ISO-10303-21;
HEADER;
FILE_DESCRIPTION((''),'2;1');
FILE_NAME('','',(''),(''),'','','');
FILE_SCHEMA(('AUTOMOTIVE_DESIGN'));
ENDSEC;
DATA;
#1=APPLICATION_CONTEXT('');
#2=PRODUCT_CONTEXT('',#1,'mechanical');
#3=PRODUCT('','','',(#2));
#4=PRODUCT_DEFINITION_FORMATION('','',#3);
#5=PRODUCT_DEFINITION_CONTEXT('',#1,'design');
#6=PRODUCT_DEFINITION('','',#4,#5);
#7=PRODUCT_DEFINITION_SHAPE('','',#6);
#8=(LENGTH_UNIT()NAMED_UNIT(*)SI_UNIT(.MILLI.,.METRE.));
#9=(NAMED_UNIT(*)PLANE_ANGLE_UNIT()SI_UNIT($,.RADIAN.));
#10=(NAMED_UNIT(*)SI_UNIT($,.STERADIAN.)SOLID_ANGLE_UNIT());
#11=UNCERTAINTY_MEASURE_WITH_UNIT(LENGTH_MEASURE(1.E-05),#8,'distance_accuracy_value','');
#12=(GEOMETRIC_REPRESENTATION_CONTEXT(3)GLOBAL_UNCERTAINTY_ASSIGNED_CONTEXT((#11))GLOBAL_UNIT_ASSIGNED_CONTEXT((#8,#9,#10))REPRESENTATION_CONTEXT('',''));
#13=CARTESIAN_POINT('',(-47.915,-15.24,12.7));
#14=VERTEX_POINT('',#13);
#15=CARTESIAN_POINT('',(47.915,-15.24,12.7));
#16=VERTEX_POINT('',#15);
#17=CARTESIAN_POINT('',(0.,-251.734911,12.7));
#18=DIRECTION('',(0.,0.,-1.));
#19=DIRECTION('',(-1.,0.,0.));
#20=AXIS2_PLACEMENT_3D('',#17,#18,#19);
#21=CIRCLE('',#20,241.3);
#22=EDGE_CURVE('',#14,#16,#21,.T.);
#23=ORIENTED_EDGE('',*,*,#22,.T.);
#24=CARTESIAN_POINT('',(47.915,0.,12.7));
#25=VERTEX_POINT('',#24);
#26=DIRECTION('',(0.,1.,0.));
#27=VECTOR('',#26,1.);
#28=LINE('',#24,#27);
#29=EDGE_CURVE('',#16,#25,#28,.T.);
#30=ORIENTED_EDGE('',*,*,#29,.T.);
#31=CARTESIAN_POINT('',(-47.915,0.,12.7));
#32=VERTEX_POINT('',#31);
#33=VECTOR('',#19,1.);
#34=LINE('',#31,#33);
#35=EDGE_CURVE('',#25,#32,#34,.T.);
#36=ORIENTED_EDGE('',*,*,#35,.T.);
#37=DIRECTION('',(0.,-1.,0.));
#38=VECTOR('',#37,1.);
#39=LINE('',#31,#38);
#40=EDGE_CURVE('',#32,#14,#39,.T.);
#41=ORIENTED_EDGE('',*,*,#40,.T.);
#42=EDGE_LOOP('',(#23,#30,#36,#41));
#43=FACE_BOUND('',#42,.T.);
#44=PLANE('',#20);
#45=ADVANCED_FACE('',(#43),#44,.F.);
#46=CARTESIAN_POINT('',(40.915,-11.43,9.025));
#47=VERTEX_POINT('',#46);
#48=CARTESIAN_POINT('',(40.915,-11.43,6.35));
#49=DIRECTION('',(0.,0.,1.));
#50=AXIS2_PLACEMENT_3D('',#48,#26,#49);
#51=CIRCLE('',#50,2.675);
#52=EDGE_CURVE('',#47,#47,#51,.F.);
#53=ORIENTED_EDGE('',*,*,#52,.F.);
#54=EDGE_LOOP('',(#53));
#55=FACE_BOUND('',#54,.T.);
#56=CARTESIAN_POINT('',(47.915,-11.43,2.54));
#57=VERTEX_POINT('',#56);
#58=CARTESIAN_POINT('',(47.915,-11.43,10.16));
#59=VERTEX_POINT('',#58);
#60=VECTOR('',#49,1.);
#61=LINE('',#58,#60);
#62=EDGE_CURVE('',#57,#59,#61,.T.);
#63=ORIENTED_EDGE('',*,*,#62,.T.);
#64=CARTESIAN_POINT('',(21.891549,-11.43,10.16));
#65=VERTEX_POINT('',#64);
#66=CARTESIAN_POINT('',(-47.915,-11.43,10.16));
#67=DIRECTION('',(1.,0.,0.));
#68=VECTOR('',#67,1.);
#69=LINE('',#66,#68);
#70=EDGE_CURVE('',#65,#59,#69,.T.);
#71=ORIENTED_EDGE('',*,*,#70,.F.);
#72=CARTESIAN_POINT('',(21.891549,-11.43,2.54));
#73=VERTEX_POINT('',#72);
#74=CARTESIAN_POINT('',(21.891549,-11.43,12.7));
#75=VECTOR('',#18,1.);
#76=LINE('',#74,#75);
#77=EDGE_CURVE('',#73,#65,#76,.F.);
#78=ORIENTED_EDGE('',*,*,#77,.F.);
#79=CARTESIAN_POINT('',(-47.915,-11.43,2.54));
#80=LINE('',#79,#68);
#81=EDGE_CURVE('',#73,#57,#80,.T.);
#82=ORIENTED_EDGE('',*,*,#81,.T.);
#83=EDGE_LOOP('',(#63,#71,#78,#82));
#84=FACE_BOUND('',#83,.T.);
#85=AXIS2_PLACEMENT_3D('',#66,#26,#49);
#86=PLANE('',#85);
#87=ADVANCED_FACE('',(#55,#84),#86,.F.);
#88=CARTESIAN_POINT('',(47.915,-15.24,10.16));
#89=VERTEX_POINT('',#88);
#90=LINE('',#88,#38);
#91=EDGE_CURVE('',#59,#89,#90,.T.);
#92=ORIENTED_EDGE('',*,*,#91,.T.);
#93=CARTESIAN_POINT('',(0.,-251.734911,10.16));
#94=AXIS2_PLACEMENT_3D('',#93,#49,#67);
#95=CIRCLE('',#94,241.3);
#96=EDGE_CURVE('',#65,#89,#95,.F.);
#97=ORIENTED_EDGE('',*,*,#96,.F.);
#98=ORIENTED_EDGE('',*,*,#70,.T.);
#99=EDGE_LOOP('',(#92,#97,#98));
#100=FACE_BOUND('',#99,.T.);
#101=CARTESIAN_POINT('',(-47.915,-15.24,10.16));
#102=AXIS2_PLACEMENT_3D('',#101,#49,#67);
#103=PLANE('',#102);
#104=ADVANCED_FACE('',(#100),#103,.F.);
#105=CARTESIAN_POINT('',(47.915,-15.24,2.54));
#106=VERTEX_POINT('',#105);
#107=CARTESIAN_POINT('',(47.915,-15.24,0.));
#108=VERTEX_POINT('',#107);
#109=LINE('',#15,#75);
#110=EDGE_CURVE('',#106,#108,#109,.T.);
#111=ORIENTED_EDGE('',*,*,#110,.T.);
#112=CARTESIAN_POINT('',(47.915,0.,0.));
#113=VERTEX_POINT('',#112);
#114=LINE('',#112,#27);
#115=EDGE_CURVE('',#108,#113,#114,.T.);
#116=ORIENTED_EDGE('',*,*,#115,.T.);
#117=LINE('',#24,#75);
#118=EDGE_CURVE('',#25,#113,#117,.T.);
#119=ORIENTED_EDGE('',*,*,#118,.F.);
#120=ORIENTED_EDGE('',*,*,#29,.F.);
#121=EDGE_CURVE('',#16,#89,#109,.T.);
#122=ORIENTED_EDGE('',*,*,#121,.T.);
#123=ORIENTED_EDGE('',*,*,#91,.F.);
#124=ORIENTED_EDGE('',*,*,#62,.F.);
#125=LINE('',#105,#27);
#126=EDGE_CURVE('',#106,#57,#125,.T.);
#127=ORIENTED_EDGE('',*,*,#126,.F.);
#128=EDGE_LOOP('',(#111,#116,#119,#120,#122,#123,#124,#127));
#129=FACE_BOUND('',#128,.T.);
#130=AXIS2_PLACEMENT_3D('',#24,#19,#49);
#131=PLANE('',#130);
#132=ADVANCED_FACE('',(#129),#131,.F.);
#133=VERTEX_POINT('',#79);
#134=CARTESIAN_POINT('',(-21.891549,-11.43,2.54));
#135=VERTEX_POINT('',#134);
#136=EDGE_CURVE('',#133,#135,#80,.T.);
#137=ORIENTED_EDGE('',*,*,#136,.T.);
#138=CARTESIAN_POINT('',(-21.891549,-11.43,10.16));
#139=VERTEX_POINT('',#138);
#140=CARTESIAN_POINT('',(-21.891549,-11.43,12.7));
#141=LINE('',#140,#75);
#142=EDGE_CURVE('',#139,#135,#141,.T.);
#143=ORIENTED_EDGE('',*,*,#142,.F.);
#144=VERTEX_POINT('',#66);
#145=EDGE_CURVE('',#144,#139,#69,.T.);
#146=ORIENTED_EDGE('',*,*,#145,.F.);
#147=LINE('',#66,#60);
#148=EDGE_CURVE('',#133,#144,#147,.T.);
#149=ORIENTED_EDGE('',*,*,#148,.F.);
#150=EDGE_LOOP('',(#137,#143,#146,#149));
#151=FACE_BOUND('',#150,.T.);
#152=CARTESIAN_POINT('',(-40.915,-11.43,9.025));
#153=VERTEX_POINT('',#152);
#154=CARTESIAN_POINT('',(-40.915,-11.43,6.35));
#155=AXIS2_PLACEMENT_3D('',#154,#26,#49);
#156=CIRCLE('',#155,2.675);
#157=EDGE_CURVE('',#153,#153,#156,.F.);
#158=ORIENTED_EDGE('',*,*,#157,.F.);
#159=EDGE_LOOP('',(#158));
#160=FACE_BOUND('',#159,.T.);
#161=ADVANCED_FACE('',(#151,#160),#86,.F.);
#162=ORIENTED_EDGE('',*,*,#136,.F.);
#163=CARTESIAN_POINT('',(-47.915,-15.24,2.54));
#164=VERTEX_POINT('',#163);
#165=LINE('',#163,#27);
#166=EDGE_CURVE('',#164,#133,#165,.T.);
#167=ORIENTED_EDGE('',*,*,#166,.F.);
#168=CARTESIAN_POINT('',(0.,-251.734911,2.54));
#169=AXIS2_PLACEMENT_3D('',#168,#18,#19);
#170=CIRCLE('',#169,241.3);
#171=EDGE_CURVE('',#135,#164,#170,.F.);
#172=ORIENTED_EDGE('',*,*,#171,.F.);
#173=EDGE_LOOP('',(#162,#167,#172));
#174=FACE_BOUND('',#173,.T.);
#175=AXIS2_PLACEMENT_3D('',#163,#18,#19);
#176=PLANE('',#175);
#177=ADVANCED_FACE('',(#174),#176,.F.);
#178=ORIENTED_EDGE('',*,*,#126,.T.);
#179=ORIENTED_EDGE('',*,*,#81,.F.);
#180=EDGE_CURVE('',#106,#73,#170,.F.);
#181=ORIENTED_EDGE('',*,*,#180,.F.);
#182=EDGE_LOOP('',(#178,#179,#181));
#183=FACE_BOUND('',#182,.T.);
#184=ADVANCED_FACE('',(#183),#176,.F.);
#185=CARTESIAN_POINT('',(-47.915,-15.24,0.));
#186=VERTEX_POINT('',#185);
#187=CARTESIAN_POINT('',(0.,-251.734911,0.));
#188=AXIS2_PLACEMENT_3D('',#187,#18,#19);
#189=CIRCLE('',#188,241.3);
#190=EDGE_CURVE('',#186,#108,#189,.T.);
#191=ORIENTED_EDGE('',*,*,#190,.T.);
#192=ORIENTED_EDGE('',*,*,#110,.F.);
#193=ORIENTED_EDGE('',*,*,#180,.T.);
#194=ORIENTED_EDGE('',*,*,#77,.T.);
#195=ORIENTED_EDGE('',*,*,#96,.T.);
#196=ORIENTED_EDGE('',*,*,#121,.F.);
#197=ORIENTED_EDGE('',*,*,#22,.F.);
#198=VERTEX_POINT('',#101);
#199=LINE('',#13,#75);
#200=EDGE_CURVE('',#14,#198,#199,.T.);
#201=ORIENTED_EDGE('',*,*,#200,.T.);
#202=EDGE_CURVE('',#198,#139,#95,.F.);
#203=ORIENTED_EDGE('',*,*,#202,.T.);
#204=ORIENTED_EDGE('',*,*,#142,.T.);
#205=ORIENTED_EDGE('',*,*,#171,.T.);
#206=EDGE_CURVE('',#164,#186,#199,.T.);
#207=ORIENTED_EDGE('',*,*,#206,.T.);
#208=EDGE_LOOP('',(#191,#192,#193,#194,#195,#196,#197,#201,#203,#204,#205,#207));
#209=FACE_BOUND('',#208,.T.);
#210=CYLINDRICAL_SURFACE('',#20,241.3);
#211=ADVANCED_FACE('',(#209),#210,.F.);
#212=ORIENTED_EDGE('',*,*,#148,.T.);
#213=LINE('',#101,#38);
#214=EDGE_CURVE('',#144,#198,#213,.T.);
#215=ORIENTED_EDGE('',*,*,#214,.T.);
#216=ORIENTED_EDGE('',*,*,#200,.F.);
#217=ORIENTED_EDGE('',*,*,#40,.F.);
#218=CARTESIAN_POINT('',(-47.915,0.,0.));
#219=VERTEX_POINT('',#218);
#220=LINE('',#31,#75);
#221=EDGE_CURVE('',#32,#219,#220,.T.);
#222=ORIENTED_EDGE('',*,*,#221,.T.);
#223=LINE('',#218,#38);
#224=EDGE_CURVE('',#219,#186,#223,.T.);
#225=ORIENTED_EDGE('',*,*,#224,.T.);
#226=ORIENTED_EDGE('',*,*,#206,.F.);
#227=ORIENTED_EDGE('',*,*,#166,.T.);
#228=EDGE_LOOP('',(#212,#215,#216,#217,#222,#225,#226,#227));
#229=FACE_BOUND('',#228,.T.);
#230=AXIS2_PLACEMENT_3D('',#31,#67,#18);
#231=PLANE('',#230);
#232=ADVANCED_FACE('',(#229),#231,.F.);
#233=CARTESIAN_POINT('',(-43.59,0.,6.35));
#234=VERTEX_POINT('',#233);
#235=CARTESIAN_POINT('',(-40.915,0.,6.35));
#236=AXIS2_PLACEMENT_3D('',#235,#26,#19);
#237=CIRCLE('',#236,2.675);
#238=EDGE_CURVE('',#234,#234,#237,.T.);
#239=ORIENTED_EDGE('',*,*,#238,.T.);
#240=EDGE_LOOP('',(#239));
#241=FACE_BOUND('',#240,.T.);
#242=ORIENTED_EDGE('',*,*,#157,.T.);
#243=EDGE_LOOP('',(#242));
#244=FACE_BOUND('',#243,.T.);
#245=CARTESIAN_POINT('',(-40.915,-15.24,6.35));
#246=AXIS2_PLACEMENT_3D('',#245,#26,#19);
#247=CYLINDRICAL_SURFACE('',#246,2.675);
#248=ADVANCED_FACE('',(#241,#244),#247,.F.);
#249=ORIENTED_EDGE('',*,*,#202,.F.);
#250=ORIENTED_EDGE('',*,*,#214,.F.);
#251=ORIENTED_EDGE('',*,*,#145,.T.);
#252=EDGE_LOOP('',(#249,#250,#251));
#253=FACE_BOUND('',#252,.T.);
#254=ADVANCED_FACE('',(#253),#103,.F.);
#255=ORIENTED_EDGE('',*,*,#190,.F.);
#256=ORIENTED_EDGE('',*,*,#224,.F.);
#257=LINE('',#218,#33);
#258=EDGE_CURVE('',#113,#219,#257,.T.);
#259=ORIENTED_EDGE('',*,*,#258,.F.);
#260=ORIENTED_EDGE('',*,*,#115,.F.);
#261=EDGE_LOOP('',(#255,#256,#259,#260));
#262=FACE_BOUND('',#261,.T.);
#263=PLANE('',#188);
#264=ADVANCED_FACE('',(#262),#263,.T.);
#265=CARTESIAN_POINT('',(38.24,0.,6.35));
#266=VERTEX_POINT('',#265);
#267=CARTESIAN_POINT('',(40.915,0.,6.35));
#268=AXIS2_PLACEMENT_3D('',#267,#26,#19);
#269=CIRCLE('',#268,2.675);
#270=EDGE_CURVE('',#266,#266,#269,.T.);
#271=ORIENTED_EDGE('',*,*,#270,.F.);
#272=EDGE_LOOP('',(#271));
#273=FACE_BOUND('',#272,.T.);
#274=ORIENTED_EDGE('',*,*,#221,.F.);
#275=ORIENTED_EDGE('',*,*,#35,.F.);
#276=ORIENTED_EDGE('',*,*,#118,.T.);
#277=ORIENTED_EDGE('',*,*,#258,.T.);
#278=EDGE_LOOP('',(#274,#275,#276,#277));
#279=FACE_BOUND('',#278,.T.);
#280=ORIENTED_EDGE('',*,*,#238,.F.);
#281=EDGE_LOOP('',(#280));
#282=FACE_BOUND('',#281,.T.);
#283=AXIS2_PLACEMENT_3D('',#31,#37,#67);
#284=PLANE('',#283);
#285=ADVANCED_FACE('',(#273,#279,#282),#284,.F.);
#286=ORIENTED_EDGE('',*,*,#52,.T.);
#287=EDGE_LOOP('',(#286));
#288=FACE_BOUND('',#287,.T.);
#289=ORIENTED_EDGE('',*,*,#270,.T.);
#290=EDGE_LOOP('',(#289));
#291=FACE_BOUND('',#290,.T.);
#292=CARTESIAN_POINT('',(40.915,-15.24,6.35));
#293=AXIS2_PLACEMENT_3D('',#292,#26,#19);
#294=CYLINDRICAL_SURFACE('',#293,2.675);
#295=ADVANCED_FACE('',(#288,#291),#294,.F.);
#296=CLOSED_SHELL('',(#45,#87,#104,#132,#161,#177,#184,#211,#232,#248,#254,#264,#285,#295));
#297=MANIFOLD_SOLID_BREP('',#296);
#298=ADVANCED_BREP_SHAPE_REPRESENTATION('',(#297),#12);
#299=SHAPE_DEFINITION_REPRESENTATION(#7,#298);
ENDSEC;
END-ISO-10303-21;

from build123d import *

# Parameters (mm, degrees)
BOSS_EXTRUDE1_DEPTH = 12.7
SKETCH2_R           = 2.675
CUT_EXTRUDE1_DEPTH  = 16.24
SKETCH3_W           = 7.62
SKETCH3_H           = 3.81
CUT_EXTRUDE2_DEPTH  = 96.8300001


with BuildPart() as part:
    # Sketch1 → Boss-Extrude1 (new body)
    with BuildSketch(Plane.XY):
        with BuildLine():
            Line((-47.915, 0), (47.915, 0))
            Line((47.915, 0), (47.915, -15.24))
            ThreePointArc((47.915, -15.24), (0, -10.434910675), (-47.915, -15.24))
            Line((-47.915, -15.24), (-47.915, 0))
        make_face()
    extrude(amount=BOSS_EXTRUDE1_DEPTH)

    # Sketch2 → Cut-Extrude1 (cut, through all)
    with BuildSketch(Plane(origin=(0, 0, 0), x_dir=(1, 0, 0), z_dir=(0, 1, 0))):
        with Locations((-40.915, -6.35)):
            Circle(SKETCH2_R)
        with Locations((40.915, -6.35)):
            Circle(SKETCH2_R)
    extrude(amount=-CUT_EXTRUDE1_DEPTH, mode=Mode.SUBTRACT)

    # Sketch3 → Cut-Extrude2 (cut, through all)
    with BuildSketch(Plane(origin=(47.915, 0, 0), x_dir=(0, 0, -1), z_dir=(1, 0, 0))):
        with Locations((-6.35, -13.335)):
            Rectangle(SKETCH3_W, SKETCH3_H)
    extrude(amount=-CUT_EXTRUDE2_DEPTH, mode=Mode.SUBTRACT)


solid = part.part
